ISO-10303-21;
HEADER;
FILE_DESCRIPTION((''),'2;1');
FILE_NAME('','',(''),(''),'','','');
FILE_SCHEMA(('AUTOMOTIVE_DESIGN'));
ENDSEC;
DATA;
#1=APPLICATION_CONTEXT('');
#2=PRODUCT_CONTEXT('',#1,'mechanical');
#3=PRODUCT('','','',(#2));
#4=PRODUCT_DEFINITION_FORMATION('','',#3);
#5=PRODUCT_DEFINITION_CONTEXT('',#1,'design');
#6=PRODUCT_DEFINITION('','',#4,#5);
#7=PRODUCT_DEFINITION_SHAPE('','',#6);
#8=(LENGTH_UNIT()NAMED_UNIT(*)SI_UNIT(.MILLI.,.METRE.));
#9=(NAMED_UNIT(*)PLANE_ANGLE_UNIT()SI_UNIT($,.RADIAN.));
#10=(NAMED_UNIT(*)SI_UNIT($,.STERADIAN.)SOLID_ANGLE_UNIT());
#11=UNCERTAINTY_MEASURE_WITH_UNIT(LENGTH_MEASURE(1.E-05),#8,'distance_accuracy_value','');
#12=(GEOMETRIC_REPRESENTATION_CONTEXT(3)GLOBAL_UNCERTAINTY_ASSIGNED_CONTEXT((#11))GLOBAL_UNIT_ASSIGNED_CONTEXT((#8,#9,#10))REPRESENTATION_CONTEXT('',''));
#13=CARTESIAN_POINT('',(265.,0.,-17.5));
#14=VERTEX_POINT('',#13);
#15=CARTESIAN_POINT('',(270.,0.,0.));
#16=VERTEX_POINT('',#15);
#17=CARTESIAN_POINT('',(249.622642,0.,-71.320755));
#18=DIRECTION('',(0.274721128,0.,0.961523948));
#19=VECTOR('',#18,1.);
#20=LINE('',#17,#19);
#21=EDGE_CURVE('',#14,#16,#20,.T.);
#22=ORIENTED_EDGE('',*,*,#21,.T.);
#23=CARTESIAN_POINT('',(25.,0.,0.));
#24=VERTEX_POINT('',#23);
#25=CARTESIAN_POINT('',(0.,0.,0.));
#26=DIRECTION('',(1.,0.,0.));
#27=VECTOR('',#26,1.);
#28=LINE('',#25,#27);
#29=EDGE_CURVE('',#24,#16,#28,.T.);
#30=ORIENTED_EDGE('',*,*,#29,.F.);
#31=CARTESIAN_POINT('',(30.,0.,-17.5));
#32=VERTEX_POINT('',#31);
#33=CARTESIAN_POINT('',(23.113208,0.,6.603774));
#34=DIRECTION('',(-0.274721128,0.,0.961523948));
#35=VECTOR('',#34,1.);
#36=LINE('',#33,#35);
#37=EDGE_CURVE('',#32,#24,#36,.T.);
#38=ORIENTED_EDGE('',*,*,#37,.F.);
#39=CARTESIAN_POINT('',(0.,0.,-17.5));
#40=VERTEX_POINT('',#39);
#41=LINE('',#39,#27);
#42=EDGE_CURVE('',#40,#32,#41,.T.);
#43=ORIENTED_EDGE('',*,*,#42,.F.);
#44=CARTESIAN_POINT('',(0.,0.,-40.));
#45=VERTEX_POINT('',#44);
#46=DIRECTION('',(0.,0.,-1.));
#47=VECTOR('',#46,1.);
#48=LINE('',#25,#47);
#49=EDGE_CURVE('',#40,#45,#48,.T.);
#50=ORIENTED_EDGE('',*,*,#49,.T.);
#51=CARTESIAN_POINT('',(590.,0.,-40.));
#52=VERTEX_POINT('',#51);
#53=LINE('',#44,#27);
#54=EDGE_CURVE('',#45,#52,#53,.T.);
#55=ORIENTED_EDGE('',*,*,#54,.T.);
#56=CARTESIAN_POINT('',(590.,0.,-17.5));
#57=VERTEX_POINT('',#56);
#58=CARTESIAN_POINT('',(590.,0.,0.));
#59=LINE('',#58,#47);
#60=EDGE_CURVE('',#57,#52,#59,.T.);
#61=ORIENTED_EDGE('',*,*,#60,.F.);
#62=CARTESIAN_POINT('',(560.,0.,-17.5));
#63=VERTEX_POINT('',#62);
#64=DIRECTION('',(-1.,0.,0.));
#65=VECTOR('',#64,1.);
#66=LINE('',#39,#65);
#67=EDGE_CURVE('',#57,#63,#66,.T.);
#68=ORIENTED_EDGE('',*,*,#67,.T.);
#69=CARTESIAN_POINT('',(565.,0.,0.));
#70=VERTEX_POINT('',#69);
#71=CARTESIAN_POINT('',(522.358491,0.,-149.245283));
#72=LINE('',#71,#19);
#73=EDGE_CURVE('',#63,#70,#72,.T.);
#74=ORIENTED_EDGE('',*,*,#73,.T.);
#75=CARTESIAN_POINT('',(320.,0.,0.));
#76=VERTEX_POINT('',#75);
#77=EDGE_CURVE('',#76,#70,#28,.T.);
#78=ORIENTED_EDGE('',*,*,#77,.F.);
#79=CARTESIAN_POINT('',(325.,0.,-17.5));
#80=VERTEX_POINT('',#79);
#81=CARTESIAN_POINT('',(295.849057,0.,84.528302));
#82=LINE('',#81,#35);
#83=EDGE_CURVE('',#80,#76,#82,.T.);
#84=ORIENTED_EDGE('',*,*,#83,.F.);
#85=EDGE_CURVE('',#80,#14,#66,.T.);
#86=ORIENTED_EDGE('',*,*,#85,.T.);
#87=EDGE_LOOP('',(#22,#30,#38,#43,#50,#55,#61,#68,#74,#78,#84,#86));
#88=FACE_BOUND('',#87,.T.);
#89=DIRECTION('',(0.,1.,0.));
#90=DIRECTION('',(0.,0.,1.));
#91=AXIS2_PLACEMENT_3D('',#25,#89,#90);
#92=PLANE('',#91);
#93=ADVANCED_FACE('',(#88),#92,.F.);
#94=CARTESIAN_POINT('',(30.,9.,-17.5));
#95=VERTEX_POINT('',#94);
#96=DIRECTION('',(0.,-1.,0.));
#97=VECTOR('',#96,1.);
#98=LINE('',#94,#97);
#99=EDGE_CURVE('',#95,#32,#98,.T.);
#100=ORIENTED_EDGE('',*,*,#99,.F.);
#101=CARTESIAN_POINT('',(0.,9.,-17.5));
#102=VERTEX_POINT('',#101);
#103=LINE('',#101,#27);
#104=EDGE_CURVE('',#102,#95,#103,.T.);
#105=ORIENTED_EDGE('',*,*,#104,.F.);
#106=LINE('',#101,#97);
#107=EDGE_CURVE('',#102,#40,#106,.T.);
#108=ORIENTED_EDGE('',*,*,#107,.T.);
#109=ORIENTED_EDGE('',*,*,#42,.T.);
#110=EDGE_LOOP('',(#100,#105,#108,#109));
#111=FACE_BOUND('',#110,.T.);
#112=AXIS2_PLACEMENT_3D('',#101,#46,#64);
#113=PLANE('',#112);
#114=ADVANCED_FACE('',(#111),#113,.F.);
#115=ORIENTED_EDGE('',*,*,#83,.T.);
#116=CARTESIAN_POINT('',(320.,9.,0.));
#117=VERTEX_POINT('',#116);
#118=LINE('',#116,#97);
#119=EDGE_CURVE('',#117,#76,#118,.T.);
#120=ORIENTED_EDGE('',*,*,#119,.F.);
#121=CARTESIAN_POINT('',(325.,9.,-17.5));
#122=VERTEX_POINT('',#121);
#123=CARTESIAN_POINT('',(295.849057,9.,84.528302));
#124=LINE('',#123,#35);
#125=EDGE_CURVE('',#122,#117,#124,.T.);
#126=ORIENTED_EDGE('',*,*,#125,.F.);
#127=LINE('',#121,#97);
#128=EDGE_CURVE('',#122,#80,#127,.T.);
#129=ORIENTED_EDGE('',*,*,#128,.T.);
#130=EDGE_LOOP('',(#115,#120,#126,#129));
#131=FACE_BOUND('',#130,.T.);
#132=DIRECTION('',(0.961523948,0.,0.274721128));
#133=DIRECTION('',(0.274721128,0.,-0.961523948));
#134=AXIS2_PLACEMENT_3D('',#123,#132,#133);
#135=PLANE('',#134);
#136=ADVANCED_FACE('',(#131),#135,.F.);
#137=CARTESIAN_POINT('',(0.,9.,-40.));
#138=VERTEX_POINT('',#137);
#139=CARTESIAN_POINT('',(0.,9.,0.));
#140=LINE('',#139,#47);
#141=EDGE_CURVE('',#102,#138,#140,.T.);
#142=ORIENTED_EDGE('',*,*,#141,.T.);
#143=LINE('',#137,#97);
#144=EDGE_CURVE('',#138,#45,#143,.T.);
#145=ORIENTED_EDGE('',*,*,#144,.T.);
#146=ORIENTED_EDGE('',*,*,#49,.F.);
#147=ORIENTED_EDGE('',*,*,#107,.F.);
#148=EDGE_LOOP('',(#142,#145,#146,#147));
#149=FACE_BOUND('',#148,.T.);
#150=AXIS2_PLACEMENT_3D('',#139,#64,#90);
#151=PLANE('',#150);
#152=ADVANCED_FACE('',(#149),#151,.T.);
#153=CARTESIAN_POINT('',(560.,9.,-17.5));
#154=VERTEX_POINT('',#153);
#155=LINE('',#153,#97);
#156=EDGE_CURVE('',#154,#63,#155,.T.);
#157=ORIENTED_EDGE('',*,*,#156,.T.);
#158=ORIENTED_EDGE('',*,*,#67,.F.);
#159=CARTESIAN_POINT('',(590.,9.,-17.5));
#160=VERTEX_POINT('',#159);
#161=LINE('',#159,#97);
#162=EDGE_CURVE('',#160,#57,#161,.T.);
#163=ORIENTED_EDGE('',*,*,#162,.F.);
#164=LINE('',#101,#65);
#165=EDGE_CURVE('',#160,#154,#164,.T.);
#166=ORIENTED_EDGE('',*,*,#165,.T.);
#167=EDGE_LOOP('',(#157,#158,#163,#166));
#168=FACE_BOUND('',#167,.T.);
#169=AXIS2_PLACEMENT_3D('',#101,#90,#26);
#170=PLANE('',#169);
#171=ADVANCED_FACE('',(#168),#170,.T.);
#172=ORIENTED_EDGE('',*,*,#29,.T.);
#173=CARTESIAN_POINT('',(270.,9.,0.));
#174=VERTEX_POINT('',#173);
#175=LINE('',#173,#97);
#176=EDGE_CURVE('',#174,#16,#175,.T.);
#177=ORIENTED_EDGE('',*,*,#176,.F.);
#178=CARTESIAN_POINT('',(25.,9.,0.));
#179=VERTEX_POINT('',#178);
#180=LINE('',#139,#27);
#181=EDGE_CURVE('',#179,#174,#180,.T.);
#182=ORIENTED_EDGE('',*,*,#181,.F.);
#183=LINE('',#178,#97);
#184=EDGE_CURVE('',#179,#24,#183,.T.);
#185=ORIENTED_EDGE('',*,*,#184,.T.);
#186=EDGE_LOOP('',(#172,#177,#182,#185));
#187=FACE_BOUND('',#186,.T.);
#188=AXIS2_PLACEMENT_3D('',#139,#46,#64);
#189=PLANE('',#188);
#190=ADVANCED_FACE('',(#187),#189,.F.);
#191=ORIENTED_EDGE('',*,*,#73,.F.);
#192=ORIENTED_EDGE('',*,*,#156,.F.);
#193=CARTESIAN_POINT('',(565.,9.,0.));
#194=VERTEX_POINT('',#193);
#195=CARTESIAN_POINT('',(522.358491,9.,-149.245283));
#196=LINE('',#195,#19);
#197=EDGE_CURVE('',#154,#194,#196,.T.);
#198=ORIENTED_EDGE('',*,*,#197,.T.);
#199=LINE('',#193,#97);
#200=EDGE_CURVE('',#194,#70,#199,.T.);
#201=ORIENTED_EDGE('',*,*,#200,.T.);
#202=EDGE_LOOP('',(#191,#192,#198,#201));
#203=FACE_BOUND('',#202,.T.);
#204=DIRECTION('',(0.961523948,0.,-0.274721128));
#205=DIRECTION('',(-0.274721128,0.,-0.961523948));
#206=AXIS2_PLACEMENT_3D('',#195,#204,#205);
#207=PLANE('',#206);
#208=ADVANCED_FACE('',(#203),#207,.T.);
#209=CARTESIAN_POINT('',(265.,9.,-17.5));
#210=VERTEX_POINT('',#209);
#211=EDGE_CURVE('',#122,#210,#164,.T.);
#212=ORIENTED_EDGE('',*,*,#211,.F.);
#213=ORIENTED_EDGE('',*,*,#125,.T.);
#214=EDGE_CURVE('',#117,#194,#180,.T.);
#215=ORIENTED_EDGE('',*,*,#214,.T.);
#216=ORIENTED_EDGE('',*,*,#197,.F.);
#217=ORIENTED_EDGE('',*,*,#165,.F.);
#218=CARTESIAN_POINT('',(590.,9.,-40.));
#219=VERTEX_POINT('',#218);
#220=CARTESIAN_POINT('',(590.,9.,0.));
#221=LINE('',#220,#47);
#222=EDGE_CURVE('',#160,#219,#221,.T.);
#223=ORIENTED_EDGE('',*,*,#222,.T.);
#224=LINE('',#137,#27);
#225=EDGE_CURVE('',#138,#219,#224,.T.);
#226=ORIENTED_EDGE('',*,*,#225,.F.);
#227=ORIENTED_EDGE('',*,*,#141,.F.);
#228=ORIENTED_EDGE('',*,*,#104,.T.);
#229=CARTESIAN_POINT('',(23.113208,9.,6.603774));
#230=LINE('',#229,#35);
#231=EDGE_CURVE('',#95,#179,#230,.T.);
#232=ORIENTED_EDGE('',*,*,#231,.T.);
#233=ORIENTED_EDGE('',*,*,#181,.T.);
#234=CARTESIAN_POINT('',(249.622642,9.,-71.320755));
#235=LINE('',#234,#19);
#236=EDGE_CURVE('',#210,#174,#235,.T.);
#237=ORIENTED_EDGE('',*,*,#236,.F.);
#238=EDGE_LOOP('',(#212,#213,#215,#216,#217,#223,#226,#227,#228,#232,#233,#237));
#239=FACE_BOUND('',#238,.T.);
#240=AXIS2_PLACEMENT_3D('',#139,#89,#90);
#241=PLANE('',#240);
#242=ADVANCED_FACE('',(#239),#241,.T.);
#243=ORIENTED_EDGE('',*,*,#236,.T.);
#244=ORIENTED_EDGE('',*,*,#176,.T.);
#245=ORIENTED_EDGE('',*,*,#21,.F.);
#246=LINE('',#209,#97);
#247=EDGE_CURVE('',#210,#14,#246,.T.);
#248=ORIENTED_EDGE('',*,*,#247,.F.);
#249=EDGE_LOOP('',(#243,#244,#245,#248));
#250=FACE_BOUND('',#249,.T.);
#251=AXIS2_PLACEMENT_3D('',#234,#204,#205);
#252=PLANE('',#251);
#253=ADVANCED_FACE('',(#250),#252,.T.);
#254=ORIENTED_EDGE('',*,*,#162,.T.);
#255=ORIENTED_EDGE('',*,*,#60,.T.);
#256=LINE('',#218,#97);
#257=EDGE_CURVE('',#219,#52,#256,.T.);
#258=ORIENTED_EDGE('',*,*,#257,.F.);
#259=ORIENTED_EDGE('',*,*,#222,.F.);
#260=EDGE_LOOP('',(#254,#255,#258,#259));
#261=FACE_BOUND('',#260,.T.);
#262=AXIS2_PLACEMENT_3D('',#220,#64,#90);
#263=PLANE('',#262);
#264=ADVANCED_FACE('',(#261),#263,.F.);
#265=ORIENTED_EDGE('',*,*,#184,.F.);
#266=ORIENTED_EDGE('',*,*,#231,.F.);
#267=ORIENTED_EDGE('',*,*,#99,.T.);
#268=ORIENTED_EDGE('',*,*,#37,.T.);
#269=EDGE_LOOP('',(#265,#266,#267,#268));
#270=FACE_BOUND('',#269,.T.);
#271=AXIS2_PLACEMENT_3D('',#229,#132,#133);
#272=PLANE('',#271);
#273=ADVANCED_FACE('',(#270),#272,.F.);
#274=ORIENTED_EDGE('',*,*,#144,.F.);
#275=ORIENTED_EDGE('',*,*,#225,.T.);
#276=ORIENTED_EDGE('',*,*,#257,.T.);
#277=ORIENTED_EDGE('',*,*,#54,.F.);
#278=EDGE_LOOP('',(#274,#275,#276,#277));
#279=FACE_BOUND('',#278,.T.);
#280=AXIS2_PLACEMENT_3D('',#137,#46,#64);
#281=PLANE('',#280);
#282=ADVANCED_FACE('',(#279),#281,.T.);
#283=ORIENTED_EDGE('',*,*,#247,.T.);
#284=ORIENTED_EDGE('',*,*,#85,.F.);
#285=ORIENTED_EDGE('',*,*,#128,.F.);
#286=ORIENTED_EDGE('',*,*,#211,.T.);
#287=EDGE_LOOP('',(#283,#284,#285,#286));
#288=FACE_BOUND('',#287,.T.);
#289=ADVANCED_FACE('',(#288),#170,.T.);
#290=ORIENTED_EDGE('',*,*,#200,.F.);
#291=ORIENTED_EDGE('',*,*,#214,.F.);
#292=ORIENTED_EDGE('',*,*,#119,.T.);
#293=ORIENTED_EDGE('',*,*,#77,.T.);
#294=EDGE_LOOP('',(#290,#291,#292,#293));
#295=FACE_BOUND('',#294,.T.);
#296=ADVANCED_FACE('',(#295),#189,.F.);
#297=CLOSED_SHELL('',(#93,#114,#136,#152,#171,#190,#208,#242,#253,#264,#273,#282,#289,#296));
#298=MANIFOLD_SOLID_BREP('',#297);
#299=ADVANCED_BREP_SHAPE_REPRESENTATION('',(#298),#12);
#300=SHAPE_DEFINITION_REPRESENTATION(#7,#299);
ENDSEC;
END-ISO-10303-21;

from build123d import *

# Parameters (mm, degrees)
SKETCH1_W           = 590
SKETCH1_H           = 5
BOSS_EXTRUDE1_DEPTH = 9


with BuildPart() as part:
    # Sketch1 → Boss-Extrude1 (new body)
    with BuildSketch(Plane(origin=(0, 0, 0), x_dir=(1, 0, 0), z_dir=(0, 1, 0))):
        Polygon((0, 35), (0, 17.5), (30, 17.5), (25, 0), (270, 0), (265, 17.5), (295, 17.5), (295, 35), align=None)
        Polygon((590, 35), (295, 35), (295, 17.5), (325, 17.5), (320, 0), (565, 0), (560, 17.5), (590, 17.5), align=None)
        with Locations((295, 37.5)):
            Rectangle(SKETCH1_W, SKETCH1_H)
    extrude(amount=BOSS_EXTRUDE1_DEPTH)


solid = part.part
